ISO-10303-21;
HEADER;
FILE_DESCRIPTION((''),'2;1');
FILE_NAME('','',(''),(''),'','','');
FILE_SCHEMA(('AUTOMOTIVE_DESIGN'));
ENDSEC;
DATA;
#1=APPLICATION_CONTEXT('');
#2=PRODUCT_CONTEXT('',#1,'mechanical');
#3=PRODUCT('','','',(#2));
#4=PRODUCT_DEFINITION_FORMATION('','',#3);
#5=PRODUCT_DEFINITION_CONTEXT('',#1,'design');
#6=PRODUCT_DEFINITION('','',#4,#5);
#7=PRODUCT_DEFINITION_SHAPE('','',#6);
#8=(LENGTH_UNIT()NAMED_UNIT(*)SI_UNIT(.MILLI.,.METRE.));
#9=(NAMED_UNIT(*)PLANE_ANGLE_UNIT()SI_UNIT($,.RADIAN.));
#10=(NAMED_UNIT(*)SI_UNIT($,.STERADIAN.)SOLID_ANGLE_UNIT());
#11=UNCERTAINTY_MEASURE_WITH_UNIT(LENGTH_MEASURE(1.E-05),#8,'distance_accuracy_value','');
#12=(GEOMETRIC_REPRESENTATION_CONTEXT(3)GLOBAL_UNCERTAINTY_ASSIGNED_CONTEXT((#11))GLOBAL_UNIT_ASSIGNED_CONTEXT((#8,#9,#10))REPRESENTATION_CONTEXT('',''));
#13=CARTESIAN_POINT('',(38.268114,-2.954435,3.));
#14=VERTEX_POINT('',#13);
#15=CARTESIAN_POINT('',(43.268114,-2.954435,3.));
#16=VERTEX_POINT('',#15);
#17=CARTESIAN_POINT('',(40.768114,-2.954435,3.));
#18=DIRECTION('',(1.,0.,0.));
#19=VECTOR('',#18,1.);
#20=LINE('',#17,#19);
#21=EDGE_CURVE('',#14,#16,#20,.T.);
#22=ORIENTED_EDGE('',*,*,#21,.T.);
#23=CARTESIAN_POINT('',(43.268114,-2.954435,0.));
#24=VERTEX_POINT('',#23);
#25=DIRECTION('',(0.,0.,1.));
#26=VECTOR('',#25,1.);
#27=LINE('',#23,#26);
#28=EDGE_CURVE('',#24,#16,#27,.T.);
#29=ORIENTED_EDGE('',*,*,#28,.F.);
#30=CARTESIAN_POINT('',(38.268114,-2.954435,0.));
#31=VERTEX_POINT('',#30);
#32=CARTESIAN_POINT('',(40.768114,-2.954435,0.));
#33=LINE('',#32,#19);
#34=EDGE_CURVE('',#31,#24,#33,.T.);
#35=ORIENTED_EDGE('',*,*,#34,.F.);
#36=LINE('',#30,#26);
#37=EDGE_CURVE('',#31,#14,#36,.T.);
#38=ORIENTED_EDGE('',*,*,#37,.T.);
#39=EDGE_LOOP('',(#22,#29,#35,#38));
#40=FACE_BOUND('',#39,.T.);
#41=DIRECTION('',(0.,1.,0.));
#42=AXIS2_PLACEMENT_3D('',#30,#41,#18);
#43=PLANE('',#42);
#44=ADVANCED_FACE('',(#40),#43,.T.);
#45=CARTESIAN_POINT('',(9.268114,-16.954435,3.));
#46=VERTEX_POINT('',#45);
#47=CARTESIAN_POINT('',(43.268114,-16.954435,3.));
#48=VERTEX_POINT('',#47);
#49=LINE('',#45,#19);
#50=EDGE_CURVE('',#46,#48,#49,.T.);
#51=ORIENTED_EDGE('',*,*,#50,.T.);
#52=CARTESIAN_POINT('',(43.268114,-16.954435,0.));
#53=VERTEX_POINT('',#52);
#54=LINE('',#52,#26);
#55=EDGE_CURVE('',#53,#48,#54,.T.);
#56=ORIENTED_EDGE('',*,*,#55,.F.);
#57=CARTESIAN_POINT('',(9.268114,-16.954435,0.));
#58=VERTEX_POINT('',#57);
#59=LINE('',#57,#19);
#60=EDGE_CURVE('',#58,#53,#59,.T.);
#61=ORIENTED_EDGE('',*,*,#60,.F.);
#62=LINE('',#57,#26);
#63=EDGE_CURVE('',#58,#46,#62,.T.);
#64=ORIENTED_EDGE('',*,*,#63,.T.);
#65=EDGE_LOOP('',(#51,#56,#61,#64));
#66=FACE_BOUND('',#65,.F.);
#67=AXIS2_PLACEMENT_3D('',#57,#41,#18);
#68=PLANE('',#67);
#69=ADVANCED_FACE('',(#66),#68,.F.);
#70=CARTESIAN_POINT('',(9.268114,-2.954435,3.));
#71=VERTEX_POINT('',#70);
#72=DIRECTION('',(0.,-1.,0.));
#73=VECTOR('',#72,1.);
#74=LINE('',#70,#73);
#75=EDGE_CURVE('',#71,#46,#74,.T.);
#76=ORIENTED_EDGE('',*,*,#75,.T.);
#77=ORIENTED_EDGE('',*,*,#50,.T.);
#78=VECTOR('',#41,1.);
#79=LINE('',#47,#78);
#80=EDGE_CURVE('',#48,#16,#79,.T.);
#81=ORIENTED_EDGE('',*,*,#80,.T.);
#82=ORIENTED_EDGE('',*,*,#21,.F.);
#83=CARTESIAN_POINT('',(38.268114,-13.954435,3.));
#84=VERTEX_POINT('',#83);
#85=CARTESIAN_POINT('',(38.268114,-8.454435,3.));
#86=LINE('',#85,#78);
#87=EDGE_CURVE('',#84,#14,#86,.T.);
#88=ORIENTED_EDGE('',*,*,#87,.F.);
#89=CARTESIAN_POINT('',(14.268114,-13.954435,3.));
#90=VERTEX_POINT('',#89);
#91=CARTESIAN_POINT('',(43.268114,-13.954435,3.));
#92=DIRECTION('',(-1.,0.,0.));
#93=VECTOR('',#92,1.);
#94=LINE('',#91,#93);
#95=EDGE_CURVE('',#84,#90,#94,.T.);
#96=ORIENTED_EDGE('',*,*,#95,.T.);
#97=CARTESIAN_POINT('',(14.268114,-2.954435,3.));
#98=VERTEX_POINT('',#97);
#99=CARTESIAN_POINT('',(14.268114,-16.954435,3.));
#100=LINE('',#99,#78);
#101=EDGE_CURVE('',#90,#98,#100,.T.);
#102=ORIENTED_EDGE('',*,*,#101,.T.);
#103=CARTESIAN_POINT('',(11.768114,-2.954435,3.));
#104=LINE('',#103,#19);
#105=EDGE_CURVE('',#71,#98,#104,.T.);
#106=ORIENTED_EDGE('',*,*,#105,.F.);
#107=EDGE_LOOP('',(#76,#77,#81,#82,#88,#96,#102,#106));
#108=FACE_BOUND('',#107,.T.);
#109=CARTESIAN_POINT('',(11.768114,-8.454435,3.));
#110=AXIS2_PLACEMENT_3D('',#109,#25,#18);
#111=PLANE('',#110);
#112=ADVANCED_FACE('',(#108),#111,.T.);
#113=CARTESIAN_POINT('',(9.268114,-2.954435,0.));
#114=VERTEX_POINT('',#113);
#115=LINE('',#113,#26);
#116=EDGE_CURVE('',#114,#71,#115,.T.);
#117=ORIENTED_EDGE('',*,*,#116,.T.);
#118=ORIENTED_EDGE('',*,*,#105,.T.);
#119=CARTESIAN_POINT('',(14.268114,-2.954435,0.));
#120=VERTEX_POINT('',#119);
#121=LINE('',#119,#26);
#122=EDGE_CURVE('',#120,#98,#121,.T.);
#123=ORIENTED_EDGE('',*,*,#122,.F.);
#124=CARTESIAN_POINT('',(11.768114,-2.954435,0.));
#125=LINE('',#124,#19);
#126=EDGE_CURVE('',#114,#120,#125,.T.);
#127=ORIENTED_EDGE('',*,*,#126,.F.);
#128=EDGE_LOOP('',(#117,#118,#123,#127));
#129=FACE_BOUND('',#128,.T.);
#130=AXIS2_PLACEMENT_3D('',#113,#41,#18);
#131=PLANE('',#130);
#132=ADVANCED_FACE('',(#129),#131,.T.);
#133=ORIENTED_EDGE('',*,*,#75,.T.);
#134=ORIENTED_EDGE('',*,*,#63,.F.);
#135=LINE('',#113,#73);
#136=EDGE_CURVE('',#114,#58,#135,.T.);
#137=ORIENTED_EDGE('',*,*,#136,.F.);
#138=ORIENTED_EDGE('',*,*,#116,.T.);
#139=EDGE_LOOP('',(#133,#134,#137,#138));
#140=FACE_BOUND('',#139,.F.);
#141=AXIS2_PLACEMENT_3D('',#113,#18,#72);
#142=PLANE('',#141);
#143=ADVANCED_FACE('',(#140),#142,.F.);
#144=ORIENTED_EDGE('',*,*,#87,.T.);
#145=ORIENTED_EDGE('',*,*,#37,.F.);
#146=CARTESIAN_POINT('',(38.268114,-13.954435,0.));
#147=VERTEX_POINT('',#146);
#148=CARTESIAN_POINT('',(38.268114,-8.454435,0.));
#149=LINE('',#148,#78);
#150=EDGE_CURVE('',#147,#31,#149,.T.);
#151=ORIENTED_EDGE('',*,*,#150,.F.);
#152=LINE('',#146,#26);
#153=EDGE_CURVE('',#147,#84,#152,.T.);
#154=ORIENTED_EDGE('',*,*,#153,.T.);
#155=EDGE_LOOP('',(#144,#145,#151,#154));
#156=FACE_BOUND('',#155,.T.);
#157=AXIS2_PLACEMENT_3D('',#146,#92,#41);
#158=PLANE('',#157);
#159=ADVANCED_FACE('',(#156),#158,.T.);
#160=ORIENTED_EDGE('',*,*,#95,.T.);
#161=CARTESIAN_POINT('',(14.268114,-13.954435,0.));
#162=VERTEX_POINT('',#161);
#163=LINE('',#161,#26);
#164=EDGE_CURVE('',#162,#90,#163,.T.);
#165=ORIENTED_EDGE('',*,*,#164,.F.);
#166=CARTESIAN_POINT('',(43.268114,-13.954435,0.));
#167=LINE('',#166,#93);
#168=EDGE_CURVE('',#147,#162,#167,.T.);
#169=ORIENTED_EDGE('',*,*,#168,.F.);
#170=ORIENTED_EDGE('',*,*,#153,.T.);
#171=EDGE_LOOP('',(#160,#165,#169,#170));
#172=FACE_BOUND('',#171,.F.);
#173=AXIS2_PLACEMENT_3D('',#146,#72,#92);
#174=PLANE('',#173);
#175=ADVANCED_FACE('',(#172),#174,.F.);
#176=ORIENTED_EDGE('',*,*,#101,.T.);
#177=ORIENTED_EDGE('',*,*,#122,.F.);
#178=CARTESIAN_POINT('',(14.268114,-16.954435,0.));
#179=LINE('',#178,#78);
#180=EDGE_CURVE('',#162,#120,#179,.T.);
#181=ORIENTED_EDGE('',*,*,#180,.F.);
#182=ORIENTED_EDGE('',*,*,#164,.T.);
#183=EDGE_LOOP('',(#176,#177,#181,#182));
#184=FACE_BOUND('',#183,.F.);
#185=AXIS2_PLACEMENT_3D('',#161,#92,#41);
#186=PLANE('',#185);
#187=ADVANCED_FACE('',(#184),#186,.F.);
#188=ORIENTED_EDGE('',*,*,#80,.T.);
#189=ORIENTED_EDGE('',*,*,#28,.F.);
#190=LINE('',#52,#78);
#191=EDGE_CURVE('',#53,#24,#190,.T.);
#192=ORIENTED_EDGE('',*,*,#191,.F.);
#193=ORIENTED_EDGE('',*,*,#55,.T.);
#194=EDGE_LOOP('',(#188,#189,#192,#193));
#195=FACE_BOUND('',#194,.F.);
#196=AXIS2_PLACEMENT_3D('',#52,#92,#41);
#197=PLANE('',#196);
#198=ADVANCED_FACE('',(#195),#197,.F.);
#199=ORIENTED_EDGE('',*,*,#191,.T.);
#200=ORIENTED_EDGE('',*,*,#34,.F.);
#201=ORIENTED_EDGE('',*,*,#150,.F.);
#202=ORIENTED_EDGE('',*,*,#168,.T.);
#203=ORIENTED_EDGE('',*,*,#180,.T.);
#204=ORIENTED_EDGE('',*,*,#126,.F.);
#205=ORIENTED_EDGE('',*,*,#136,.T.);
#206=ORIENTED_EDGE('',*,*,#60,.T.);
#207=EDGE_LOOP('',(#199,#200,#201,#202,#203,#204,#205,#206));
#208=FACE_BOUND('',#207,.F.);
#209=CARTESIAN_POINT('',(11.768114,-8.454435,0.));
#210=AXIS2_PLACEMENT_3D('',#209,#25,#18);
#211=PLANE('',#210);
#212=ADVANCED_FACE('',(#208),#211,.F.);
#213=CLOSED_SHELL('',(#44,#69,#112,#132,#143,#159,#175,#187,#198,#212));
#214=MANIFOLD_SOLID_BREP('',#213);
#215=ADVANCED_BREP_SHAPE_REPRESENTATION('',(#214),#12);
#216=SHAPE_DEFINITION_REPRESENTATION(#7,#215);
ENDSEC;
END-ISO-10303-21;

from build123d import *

# Parameters (mm, degrees)
F0_W     = 5
F0_H     = 11
F0_H_2   = 3
F0_W_2   = 24
F1_DEPTH = 3


with BuildPart() as f1:
    # F0 (on Top) → F1 (new body)
    with BuildSketch(Plane.XY):
        with Locations((11.768114, -8.454435)):
            Rectangle(F0_W, F0_H)
        with Locations((11.768114, -15.454435)):
            Rectangle(F0_W, F0_H_2)
        with Locations((26.268114, -15.454435)):
            Rectangle(F0_W_2, F0_H_2)
        with Locations((40.768114, -15.454435)):
            Rectangle(F0_W, F0_H_2)
        with Locations((40.768114, -8.454435)):
            Rectangle(F0_W, F0_H)
    extrude(amount=F1_DEPTH)


solid = f1.part
